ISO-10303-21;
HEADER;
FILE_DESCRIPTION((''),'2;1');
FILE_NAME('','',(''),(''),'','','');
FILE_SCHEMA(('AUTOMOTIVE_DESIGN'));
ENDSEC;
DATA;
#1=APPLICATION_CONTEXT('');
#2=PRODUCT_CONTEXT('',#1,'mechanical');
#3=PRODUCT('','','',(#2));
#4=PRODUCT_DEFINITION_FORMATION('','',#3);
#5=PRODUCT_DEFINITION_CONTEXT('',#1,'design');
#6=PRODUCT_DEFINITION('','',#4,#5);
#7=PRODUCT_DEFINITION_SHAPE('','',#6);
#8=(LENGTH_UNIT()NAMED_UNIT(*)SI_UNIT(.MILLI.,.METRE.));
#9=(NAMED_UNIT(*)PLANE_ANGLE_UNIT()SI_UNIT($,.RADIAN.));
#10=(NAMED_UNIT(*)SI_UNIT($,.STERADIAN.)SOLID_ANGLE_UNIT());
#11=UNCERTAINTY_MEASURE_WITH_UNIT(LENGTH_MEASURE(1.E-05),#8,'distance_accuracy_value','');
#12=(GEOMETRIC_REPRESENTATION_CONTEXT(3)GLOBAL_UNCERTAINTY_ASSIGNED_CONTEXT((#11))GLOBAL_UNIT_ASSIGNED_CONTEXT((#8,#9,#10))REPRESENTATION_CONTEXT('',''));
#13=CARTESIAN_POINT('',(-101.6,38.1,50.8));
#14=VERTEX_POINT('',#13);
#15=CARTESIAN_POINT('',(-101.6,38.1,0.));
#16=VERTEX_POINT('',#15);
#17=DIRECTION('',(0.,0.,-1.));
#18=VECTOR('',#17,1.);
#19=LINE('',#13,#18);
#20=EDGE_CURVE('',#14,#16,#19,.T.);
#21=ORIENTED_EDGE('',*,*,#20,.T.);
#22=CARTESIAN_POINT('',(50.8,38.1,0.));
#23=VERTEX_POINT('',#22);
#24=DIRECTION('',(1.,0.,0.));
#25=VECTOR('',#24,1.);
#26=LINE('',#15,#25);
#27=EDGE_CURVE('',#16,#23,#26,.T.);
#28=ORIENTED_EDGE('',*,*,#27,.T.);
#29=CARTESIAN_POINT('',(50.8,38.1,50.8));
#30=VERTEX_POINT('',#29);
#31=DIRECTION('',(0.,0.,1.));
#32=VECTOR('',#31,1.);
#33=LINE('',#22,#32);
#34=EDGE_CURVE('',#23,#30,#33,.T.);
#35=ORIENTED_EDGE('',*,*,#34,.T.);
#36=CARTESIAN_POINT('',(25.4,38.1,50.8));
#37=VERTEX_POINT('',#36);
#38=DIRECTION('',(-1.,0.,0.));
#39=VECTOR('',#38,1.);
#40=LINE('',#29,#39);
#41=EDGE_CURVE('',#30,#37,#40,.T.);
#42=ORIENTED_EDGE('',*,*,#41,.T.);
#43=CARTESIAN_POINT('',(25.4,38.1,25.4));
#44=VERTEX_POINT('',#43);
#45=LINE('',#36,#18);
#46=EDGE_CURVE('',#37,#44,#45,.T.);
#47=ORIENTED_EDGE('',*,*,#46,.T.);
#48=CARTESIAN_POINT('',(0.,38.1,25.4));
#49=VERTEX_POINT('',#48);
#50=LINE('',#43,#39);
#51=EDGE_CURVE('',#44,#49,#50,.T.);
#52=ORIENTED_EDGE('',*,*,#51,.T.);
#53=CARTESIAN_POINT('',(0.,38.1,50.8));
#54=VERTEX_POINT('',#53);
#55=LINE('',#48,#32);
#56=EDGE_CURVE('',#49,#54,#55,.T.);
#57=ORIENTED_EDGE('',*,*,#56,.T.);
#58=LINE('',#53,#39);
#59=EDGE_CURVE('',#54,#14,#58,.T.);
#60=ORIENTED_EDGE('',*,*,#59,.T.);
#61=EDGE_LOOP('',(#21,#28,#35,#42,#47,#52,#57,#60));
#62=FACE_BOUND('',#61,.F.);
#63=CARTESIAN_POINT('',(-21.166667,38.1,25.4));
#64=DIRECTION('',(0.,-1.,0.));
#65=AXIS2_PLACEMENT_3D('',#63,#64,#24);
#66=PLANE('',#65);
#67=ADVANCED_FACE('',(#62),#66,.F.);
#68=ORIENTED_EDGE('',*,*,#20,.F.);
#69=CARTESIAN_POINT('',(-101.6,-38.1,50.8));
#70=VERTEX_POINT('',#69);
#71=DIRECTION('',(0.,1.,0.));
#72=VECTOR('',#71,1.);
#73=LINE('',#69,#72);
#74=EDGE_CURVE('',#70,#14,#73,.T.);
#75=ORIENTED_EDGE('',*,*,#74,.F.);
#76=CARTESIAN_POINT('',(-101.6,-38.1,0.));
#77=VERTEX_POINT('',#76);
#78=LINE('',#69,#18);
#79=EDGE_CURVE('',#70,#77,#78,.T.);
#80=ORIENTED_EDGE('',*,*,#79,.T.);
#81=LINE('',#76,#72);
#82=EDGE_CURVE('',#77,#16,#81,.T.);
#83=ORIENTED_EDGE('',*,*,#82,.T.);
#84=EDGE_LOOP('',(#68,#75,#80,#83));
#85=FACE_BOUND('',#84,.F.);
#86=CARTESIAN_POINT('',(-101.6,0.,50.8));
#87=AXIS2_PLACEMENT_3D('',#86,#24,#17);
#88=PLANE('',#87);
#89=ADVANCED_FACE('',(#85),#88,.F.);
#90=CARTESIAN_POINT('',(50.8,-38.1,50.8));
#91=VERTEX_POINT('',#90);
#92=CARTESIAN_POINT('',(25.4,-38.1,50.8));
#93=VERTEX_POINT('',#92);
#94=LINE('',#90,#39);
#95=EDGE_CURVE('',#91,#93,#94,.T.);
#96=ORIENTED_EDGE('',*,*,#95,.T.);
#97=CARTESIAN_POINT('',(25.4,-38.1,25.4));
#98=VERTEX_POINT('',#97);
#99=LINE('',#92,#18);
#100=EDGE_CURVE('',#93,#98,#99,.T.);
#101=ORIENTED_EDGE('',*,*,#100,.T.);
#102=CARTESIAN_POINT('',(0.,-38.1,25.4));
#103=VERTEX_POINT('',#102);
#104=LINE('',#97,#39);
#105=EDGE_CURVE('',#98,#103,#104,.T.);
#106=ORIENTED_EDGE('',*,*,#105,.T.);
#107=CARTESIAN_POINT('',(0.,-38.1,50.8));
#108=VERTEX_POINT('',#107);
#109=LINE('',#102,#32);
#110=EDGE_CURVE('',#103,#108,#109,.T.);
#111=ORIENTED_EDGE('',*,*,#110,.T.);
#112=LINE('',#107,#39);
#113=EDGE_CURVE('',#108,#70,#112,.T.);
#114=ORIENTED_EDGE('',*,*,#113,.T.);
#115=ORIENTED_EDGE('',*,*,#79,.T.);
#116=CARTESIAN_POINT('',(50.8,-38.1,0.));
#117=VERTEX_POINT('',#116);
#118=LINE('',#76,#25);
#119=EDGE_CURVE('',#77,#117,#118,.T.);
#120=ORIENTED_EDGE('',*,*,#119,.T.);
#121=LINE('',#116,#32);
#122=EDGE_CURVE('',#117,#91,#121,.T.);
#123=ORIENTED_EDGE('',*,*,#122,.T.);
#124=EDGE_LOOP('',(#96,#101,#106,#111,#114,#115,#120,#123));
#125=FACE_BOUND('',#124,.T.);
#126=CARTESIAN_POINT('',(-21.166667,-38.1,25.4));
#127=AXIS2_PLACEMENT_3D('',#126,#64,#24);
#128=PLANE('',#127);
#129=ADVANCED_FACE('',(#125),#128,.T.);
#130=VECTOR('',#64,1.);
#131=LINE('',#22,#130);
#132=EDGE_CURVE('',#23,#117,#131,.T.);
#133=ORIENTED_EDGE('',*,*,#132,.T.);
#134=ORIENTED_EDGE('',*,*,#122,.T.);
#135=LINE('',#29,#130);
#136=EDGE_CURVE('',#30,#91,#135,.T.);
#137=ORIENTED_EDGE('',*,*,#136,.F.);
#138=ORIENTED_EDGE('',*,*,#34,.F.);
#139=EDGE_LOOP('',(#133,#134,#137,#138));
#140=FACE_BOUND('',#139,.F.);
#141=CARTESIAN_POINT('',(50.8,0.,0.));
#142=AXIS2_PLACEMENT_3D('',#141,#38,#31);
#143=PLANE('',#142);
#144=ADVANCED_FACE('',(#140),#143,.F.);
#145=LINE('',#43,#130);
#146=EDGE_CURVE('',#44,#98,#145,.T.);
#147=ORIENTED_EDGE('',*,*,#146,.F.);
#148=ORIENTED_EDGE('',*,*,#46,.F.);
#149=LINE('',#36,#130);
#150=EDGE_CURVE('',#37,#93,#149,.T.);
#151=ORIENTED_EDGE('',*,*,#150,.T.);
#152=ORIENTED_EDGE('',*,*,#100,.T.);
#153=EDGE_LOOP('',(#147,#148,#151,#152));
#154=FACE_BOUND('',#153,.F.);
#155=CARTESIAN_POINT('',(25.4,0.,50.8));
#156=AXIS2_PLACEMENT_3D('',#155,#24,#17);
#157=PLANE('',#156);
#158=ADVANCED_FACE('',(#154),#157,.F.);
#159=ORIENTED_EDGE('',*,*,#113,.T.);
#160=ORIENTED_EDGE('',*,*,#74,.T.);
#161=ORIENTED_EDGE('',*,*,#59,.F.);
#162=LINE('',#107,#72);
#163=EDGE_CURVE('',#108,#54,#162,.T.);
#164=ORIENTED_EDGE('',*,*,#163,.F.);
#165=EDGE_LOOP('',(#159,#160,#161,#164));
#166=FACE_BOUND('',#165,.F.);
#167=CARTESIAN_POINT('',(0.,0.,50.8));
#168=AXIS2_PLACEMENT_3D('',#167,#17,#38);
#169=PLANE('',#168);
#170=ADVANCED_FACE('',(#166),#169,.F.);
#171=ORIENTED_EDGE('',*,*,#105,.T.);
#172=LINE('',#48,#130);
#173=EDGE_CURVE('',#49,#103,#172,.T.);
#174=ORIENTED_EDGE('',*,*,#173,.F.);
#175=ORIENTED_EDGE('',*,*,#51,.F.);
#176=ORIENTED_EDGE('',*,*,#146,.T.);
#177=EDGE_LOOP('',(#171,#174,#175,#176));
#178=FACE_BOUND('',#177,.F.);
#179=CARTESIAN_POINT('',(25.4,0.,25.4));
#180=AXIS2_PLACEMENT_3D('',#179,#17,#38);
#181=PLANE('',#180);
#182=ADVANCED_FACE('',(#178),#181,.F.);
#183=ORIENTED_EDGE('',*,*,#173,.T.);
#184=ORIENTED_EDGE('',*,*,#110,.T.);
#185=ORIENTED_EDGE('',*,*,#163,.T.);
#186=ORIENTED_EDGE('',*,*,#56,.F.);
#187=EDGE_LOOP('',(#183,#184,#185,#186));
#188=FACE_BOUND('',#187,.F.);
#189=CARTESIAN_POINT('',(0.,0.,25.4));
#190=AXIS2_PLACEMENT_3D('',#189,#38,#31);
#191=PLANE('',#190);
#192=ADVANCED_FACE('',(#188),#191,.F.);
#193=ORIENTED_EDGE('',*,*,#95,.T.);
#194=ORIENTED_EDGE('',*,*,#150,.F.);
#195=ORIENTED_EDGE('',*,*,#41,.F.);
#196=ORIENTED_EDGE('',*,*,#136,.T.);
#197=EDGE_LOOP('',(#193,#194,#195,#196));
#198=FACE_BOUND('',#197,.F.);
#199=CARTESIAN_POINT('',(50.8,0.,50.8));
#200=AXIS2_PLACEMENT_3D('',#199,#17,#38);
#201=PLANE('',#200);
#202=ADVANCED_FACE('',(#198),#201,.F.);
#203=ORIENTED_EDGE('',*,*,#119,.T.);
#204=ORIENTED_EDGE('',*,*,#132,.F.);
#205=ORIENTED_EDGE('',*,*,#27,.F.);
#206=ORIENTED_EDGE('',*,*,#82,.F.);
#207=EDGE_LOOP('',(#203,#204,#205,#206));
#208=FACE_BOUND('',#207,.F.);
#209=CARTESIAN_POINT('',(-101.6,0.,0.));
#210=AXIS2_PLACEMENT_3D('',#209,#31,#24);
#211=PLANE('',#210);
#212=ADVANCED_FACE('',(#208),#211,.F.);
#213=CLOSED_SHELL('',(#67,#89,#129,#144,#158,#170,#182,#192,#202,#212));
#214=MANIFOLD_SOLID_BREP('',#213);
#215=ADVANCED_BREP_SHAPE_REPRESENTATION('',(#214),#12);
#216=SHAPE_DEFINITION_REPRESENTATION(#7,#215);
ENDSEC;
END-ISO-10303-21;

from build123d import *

# Parameters (mm, degrees)
F1_DEPTH = 38.1
F2_DEPTH = 38.1


with BuildPart() as f1:
    # F0 (on Front) → F1 (new body)
    with BuildSketch(Plane.XZ):
        Polygon((-101.6, 50.8), (-101.6, 0), (50.8, 0), (50.8, 50.8), (25.4, 50.8), (25.4, 25.4), (0, 25.4), (0, 50.8), align=None)
    extrude(amount=-F1_DEPTH)

    # F1_face (on face) → F2 (join)
    with BuildSketch(Plane(origin=(-28.863636, 0, 24.245455), x_dir=(1, 0, 0), z_dir=(0, -1, 0))):
        Polygon((-72.736364, -24.245455), (79.663636, -24.245455), (79.663636, 26.554545), (54.263636, 26.554545), (54.263636, 1.154545), (28.863636, 1.154545), (28.863636, 26.554545), (-72.736364, 26.554545), align=None)
    extrude(amount=F2_DEPTH)


solid = f1.part
